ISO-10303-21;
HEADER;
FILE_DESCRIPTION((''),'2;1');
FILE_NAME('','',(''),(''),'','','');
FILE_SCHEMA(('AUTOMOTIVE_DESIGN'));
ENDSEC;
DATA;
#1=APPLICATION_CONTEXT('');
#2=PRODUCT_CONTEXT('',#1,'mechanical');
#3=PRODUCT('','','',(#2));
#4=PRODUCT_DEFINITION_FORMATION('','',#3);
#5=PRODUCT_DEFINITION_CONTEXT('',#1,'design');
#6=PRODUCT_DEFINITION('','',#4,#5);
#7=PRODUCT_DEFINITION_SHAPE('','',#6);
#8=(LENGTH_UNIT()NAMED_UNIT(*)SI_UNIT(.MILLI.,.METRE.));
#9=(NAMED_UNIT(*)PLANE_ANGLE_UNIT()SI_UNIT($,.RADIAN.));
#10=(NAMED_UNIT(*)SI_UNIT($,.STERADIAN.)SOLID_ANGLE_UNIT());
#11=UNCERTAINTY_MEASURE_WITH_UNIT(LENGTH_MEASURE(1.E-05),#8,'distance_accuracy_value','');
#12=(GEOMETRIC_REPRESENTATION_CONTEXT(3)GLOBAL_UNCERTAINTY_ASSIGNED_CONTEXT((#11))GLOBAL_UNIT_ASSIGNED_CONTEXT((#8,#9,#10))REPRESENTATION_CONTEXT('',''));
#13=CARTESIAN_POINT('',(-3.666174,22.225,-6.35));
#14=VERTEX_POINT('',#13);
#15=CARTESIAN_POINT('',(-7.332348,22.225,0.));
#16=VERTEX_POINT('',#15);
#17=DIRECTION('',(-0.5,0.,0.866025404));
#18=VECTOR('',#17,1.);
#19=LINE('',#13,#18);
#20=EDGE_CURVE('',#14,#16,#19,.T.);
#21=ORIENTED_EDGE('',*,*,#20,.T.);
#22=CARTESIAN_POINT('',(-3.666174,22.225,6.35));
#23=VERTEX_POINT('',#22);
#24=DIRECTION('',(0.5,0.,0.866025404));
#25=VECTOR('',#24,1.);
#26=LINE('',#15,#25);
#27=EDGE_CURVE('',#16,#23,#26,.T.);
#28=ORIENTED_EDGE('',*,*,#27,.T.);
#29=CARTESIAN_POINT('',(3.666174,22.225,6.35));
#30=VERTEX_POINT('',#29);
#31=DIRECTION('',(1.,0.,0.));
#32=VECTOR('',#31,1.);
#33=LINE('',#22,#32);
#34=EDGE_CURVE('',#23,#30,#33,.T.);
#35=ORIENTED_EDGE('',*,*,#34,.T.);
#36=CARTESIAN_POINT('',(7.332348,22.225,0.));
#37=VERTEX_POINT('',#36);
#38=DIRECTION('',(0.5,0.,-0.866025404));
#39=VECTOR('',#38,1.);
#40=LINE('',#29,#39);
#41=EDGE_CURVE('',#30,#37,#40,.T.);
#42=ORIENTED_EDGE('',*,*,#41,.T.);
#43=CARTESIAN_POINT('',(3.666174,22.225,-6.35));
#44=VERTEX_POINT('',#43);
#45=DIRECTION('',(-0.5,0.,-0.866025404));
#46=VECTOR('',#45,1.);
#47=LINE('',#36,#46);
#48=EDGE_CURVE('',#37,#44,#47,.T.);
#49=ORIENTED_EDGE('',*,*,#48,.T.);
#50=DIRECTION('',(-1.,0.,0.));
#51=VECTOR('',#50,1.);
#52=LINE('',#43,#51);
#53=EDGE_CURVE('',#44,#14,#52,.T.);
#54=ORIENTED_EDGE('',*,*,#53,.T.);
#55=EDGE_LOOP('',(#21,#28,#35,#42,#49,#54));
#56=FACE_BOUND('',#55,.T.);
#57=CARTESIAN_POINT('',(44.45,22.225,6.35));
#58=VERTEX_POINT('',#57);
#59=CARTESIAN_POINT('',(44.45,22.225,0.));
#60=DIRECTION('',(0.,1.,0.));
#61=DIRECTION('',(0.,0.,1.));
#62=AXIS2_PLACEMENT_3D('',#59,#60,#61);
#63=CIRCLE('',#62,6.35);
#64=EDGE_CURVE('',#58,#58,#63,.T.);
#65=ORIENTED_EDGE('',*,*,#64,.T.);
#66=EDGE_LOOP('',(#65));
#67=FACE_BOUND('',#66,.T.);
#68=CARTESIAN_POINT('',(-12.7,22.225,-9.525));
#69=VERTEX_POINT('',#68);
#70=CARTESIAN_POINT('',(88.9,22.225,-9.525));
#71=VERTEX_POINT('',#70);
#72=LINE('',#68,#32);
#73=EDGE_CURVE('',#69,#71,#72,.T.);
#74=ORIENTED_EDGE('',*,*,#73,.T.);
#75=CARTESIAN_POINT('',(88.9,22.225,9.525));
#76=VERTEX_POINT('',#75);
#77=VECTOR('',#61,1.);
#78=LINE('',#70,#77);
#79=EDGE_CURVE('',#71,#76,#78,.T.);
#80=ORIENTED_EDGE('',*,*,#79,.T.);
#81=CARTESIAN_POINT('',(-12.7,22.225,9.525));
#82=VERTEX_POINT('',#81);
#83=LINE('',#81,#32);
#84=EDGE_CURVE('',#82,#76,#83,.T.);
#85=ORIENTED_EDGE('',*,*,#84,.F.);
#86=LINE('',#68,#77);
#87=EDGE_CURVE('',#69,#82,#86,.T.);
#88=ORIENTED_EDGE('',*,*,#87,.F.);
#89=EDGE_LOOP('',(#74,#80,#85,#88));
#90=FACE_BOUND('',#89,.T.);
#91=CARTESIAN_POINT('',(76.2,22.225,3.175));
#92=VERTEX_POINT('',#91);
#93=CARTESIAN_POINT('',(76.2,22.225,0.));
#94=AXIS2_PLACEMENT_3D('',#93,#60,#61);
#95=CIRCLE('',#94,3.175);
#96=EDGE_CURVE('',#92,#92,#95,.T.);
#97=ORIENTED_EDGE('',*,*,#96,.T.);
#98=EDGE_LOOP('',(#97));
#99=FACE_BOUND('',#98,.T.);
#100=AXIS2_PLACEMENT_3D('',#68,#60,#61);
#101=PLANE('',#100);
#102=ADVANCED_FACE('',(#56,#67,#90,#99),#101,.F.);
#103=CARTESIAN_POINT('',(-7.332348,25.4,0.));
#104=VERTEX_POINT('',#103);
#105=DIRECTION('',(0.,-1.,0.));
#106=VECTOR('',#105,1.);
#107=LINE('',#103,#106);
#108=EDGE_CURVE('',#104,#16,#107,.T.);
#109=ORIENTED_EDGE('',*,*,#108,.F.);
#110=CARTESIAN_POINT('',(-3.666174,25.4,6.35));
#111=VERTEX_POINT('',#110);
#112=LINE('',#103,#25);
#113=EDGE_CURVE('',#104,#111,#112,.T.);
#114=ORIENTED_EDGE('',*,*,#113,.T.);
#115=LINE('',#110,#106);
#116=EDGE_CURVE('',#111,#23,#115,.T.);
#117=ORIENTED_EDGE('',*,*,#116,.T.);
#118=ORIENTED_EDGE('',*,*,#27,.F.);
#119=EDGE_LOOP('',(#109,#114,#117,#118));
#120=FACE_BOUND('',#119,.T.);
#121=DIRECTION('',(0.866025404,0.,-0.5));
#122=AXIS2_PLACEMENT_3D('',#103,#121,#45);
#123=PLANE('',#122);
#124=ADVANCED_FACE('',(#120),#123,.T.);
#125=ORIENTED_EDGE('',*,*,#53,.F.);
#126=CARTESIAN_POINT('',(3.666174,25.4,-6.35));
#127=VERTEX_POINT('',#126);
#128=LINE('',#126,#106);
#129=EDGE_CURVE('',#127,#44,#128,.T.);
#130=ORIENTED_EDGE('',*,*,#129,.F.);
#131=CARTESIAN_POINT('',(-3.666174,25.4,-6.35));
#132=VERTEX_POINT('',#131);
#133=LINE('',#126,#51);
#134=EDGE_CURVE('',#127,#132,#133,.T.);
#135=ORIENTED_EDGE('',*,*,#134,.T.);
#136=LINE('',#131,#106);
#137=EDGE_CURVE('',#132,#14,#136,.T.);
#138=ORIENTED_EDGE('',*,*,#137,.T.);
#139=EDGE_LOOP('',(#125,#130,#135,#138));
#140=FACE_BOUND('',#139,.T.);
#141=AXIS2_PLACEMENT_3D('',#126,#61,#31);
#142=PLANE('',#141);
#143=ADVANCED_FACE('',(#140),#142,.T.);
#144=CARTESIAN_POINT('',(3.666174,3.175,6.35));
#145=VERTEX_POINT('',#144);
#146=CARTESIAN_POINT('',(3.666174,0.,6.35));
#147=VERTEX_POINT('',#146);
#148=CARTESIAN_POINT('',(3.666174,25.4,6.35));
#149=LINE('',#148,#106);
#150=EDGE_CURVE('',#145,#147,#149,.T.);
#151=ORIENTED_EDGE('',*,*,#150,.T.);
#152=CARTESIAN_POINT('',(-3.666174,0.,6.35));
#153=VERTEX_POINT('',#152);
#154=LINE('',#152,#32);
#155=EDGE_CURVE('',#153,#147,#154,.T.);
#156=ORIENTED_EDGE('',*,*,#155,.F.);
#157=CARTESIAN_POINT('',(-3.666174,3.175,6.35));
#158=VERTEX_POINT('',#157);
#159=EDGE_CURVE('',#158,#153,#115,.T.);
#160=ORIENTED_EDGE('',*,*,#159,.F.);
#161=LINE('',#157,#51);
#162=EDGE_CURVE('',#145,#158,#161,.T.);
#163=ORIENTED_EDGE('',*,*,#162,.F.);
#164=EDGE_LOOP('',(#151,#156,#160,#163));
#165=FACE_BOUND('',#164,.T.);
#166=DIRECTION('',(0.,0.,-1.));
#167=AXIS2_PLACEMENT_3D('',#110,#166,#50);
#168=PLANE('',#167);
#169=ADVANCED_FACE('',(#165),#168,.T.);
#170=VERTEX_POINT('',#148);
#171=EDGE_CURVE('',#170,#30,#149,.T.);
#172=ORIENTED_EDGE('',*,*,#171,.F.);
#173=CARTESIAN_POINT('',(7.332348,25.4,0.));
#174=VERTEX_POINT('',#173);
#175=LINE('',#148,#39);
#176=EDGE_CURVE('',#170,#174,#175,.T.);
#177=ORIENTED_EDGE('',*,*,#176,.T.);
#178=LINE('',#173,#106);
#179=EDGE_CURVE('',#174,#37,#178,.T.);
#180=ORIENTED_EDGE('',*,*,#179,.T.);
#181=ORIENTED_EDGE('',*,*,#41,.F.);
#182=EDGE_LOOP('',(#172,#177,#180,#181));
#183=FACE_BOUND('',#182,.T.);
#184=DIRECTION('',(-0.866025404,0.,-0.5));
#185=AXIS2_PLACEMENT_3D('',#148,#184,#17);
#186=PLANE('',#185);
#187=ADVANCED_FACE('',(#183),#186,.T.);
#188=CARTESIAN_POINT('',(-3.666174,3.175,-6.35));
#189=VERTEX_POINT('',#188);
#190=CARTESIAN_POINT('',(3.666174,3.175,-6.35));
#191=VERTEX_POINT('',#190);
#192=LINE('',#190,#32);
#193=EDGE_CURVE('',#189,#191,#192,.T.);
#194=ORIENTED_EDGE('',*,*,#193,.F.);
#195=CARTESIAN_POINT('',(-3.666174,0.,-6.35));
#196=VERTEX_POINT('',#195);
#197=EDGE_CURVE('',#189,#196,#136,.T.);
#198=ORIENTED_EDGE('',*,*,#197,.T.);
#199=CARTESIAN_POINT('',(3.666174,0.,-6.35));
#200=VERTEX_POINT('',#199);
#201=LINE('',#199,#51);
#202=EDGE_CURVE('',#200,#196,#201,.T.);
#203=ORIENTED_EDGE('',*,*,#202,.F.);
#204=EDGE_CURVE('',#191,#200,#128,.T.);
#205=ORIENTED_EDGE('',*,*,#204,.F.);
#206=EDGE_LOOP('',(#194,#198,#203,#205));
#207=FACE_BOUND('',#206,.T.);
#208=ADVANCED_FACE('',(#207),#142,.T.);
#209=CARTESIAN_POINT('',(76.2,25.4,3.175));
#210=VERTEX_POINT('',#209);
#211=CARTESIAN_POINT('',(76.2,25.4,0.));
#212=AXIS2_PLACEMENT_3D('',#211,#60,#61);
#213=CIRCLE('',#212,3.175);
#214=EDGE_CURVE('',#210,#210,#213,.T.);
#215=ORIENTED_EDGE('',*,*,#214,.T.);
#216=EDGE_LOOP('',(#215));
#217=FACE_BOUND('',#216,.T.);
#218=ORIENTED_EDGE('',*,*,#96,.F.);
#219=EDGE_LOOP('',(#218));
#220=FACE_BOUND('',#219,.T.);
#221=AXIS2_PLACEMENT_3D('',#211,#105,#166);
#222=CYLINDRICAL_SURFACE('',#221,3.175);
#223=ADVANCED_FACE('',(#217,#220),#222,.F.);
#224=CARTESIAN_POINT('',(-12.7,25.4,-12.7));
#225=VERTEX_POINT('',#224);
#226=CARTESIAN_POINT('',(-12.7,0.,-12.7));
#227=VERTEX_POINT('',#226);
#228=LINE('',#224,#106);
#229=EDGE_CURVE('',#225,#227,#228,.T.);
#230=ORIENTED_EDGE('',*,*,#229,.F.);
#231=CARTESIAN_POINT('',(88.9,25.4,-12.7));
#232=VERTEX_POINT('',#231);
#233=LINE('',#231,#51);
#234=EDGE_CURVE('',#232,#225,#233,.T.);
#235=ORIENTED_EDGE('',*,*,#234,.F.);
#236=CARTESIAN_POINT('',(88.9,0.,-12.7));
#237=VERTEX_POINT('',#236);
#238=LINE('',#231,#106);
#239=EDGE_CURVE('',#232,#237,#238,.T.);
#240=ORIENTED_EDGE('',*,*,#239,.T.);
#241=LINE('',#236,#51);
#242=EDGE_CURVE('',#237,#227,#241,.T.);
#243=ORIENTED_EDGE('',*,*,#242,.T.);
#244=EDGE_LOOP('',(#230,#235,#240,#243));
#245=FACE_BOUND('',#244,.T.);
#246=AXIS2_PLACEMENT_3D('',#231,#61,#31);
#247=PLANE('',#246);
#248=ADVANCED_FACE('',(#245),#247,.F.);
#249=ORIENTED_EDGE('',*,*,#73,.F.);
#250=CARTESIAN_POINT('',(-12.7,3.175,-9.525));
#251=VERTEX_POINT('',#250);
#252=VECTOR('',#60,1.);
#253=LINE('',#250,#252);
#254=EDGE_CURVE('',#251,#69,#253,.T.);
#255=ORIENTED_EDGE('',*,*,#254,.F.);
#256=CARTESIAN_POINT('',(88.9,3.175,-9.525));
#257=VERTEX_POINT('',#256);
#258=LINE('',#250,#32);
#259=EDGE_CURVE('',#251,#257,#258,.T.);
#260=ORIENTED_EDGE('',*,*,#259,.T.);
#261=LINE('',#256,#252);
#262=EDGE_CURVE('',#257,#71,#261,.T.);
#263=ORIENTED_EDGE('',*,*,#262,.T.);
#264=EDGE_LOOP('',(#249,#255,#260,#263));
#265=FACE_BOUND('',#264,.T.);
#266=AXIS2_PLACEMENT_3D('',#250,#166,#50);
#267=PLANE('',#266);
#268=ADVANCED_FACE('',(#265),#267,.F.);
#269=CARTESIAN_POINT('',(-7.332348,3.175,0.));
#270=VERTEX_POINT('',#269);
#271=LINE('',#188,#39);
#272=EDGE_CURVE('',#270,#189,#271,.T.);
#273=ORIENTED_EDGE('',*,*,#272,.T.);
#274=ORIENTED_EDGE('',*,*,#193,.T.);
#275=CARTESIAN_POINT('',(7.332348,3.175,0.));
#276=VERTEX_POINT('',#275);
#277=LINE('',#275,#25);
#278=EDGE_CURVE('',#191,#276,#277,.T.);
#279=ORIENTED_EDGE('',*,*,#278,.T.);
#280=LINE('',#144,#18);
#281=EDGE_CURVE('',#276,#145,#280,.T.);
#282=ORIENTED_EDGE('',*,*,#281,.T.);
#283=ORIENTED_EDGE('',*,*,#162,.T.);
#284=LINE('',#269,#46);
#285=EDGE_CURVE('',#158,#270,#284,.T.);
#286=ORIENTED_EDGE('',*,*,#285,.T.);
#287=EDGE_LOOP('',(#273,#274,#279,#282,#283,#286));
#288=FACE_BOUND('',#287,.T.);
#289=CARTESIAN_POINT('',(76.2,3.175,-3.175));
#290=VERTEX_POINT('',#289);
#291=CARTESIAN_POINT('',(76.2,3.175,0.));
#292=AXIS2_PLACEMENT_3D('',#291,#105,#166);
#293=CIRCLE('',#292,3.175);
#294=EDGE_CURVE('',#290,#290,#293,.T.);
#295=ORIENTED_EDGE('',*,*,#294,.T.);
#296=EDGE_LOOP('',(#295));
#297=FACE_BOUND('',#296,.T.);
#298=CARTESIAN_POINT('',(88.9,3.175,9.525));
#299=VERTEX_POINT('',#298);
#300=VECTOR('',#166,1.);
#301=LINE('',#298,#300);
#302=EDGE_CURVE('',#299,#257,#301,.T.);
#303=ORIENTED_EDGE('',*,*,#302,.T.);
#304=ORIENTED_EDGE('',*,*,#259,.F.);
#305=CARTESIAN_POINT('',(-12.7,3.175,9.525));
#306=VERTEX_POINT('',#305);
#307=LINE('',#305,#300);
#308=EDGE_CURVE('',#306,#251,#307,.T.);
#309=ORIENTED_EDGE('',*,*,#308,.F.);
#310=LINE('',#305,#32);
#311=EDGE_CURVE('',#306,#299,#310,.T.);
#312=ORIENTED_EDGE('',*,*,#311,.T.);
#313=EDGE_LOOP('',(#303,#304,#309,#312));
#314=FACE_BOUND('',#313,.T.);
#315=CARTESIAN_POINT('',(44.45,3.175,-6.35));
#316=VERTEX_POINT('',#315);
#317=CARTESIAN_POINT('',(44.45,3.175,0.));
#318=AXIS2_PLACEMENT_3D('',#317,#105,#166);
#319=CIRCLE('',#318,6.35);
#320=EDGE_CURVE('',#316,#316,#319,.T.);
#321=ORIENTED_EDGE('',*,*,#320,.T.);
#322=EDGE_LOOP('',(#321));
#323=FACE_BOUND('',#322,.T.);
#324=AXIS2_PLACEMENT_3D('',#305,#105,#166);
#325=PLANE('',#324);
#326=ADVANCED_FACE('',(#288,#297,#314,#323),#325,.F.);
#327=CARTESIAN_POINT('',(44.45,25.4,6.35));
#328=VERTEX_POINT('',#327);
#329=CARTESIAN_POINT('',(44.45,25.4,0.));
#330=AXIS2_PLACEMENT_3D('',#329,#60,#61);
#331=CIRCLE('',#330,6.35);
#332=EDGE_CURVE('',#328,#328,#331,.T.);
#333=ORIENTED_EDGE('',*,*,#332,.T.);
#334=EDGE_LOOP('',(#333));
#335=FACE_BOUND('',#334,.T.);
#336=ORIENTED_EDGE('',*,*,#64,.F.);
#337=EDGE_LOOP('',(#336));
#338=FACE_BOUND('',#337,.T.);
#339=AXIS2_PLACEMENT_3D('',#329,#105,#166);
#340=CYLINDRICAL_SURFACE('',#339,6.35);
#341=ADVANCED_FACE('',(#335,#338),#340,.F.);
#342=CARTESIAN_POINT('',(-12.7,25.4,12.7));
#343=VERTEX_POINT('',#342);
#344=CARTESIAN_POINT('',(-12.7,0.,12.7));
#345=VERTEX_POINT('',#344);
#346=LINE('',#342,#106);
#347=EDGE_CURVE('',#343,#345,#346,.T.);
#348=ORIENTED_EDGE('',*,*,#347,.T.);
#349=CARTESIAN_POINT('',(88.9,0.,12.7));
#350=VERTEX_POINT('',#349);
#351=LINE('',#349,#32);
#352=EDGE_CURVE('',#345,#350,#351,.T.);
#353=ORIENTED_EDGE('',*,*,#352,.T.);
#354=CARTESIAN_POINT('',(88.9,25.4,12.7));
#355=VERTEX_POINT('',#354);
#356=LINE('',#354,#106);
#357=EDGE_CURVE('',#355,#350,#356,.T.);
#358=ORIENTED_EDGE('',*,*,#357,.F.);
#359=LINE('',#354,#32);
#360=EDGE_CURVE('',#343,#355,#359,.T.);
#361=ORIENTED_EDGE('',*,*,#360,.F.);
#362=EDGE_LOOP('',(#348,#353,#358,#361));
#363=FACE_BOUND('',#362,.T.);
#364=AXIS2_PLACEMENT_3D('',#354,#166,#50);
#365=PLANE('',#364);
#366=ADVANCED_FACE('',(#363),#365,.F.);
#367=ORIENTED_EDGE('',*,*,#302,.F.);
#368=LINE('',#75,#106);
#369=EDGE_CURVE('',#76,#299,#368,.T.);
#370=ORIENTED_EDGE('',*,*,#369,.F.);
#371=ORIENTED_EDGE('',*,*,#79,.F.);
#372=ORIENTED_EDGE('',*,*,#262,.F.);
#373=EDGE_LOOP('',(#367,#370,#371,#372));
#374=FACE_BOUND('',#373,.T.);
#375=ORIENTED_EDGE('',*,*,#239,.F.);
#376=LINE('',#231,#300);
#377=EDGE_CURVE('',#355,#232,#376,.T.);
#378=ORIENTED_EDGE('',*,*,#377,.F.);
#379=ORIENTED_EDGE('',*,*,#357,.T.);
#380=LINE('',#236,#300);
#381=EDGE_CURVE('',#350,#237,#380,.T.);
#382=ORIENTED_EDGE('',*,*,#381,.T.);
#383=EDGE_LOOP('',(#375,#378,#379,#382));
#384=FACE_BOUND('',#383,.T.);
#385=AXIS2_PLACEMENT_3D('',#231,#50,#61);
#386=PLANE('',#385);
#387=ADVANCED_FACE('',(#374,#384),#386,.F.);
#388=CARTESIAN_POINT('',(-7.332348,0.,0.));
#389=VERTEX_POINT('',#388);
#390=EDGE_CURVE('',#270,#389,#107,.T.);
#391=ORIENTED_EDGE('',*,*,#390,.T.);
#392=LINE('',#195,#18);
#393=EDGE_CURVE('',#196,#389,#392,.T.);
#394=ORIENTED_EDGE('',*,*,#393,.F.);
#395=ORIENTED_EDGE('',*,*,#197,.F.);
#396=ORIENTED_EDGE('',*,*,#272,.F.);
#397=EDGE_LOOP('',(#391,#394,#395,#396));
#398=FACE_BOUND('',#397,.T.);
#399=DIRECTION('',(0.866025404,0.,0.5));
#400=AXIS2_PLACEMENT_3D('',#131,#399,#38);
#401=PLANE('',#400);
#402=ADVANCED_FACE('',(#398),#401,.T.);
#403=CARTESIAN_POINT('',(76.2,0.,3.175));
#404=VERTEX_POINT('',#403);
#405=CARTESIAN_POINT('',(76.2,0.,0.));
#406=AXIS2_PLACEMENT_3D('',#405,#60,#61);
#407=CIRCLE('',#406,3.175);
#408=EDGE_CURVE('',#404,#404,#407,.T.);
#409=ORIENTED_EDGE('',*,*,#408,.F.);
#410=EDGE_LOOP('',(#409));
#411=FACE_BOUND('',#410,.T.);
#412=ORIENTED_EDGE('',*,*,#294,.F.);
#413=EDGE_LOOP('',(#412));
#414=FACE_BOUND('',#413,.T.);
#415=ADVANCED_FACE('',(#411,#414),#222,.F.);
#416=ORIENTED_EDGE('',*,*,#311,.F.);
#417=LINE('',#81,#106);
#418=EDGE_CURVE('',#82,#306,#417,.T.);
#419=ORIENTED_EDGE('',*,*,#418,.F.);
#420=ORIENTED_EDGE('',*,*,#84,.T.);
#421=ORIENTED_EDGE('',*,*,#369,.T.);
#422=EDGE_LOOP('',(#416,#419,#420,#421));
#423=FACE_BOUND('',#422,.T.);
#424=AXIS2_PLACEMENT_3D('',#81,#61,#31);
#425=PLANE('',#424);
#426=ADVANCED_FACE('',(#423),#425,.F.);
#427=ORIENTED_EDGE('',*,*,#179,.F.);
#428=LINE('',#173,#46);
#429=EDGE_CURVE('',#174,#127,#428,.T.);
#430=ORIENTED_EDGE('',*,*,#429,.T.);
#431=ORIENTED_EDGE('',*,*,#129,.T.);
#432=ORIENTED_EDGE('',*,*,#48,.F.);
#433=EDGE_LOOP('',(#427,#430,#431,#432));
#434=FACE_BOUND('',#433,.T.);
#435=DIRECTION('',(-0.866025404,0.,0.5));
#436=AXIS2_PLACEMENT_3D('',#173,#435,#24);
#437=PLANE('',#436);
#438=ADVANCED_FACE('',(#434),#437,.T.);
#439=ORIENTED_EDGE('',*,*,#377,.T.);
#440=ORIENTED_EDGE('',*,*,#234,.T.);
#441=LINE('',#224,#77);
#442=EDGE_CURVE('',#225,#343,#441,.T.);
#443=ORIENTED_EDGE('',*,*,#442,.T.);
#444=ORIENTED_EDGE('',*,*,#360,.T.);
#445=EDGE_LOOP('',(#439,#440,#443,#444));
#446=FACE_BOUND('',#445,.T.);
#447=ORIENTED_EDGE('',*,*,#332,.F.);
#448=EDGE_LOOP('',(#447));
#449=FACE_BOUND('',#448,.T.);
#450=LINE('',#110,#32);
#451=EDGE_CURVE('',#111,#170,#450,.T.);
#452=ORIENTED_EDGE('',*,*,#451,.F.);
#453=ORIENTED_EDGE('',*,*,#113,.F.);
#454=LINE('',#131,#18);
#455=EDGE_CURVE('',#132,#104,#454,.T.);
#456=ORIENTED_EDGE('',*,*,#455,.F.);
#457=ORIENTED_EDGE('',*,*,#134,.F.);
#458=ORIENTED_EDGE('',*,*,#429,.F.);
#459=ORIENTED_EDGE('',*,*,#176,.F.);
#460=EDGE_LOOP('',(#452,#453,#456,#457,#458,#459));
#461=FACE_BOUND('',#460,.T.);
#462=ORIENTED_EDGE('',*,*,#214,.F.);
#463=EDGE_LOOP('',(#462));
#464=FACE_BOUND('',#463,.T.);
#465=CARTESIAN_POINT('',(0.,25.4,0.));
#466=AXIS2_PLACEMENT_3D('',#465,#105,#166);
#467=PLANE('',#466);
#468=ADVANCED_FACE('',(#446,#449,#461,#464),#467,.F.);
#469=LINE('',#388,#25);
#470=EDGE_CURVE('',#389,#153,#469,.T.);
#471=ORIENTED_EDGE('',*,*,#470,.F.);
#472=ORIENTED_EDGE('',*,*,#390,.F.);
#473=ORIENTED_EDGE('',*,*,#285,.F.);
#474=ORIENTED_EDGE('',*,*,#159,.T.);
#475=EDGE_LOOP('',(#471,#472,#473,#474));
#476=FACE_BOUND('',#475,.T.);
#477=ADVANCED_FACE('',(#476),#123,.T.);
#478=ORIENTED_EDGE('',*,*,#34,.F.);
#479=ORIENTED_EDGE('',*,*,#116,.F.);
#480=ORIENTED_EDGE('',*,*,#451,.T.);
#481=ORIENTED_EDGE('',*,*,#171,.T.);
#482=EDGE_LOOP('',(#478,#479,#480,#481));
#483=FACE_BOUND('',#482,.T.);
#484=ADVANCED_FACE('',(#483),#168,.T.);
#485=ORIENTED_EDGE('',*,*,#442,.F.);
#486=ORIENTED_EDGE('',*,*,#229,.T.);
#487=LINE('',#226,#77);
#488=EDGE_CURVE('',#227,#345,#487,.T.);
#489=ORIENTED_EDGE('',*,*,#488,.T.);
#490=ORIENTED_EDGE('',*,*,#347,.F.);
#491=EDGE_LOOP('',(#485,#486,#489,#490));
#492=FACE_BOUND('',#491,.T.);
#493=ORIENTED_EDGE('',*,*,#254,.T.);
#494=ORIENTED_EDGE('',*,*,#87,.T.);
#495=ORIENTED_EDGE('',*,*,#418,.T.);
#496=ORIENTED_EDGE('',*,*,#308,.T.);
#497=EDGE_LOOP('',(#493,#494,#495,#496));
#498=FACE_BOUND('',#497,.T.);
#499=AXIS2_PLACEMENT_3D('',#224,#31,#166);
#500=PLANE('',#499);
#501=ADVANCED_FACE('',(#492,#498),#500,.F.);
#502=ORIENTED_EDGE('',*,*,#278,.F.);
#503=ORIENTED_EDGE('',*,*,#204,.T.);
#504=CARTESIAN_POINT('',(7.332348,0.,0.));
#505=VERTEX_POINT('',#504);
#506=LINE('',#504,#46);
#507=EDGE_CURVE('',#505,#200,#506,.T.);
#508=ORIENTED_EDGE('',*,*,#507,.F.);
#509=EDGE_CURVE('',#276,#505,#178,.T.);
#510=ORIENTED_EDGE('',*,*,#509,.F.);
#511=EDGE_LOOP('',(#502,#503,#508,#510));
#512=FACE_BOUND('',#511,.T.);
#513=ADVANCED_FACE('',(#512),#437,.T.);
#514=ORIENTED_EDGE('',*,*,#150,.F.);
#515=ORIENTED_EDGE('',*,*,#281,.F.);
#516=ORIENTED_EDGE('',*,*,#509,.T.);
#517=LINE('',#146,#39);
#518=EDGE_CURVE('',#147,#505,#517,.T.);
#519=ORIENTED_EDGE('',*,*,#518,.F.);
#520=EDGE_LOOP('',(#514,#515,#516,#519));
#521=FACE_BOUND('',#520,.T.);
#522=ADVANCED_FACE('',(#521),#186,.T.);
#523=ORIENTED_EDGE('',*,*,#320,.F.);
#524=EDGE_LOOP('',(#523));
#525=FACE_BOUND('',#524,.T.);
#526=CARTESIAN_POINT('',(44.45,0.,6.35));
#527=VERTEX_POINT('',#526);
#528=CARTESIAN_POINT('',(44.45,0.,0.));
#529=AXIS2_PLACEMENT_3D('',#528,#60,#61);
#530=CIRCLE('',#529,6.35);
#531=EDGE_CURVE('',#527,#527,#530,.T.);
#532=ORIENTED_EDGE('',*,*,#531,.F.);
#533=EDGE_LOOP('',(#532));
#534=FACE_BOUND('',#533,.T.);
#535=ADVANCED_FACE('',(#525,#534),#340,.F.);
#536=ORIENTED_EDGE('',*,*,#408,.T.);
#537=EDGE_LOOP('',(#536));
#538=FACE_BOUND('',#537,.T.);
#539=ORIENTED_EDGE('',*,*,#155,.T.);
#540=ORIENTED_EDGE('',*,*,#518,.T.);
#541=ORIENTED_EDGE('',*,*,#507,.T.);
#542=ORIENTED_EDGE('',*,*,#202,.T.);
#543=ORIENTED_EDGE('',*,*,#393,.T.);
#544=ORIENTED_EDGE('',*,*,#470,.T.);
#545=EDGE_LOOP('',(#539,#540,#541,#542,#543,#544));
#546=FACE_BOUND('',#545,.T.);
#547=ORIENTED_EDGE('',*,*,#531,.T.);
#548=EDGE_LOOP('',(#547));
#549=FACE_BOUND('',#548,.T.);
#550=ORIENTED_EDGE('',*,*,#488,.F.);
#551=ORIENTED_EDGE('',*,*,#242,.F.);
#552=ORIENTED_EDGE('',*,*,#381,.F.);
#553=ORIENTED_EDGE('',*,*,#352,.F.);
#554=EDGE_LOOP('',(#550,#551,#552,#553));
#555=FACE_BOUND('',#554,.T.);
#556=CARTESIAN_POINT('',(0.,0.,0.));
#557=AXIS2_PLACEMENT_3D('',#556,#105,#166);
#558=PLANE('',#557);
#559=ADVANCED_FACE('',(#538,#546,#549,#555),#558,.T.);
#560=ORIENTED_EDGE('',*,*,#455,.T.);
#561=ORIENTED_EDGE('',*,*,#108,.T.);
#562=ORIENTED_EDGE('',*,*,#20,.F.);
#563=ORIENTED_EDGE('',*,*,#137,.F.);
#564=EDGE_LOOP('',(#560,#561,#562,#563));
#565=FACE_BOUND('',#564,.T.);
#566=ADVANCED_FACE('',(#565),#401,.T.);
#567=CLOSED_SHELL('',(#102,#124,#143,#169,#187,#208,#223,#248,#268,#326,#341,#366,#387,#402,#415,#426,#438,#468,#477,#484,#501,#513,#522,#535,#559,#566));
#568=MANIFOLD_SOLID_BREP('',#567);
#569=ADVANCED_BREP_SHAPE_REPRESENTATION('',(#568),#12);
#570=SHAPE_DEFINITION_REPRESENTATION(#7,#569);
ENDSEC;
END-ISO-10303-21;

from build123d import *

# Parameters (mm, degrees)
SKETCH1_W           = 101.6
SKETCH1_H           = 25.4
SKETCH1_R           = 6.35
SKETCH1_R_2         = 3.175
BOSS_EXTRUDE1_DEPTH = 25.4
SKETCH2_W           = 19.05
SKETCH2_H           = 19.05
CUT_EXTRUDE1_DEPTH  = 106.494123059


with BuildPart() as part:
    # Sketch1 → Boss-Extrude1 (new body)
    with BuildSketch(Plane(origin=(0, 0, 0), x_dir=(1, 0, 0), z_dir=(0, 1, 0))):
        with Locations((38.1, 0)):
            Rectangle(SKETCH1_W, SKETCH1_H)
        with Locations(Location((44.45, 0, 0), (0, 0, 270))):
            Circle(SKETCH1_R, mode=Mode.SUBTRACT)
        with Locations(Location((76.2, 0, 0), (0, 0, 270))):
            Circle(SKETCH1_R_2, mode=Mode.SUBTRACT)
        Polygon((7.332348419, 0), (3.666174209, 6.35), (-3.666174209, 6.35), (-7.332348419, 0), (-3.666174209, -6.35), (3.666174209, -6.35), align=None, mode=Mode.SUBTRACT)
    extrude(amount=BOSS_EXTRUDE1_DEPTH)

    # Sketch2 → Cut-Extrude1 (cut, through all)
    with BuildSketch(Plane(origin=(88.9, 0, 0), x_dir=(0, 0, -1), z_dir=(1, 0, 0))):
        with Locations((0, 12.7)):
            Rectangle(SKETCH2_W, SKETCH2_H)
    extrude(amount=-CUT_EXTRUDE1_DEPTH, mode=Mode.SUBTRACT)


solid = part.part
